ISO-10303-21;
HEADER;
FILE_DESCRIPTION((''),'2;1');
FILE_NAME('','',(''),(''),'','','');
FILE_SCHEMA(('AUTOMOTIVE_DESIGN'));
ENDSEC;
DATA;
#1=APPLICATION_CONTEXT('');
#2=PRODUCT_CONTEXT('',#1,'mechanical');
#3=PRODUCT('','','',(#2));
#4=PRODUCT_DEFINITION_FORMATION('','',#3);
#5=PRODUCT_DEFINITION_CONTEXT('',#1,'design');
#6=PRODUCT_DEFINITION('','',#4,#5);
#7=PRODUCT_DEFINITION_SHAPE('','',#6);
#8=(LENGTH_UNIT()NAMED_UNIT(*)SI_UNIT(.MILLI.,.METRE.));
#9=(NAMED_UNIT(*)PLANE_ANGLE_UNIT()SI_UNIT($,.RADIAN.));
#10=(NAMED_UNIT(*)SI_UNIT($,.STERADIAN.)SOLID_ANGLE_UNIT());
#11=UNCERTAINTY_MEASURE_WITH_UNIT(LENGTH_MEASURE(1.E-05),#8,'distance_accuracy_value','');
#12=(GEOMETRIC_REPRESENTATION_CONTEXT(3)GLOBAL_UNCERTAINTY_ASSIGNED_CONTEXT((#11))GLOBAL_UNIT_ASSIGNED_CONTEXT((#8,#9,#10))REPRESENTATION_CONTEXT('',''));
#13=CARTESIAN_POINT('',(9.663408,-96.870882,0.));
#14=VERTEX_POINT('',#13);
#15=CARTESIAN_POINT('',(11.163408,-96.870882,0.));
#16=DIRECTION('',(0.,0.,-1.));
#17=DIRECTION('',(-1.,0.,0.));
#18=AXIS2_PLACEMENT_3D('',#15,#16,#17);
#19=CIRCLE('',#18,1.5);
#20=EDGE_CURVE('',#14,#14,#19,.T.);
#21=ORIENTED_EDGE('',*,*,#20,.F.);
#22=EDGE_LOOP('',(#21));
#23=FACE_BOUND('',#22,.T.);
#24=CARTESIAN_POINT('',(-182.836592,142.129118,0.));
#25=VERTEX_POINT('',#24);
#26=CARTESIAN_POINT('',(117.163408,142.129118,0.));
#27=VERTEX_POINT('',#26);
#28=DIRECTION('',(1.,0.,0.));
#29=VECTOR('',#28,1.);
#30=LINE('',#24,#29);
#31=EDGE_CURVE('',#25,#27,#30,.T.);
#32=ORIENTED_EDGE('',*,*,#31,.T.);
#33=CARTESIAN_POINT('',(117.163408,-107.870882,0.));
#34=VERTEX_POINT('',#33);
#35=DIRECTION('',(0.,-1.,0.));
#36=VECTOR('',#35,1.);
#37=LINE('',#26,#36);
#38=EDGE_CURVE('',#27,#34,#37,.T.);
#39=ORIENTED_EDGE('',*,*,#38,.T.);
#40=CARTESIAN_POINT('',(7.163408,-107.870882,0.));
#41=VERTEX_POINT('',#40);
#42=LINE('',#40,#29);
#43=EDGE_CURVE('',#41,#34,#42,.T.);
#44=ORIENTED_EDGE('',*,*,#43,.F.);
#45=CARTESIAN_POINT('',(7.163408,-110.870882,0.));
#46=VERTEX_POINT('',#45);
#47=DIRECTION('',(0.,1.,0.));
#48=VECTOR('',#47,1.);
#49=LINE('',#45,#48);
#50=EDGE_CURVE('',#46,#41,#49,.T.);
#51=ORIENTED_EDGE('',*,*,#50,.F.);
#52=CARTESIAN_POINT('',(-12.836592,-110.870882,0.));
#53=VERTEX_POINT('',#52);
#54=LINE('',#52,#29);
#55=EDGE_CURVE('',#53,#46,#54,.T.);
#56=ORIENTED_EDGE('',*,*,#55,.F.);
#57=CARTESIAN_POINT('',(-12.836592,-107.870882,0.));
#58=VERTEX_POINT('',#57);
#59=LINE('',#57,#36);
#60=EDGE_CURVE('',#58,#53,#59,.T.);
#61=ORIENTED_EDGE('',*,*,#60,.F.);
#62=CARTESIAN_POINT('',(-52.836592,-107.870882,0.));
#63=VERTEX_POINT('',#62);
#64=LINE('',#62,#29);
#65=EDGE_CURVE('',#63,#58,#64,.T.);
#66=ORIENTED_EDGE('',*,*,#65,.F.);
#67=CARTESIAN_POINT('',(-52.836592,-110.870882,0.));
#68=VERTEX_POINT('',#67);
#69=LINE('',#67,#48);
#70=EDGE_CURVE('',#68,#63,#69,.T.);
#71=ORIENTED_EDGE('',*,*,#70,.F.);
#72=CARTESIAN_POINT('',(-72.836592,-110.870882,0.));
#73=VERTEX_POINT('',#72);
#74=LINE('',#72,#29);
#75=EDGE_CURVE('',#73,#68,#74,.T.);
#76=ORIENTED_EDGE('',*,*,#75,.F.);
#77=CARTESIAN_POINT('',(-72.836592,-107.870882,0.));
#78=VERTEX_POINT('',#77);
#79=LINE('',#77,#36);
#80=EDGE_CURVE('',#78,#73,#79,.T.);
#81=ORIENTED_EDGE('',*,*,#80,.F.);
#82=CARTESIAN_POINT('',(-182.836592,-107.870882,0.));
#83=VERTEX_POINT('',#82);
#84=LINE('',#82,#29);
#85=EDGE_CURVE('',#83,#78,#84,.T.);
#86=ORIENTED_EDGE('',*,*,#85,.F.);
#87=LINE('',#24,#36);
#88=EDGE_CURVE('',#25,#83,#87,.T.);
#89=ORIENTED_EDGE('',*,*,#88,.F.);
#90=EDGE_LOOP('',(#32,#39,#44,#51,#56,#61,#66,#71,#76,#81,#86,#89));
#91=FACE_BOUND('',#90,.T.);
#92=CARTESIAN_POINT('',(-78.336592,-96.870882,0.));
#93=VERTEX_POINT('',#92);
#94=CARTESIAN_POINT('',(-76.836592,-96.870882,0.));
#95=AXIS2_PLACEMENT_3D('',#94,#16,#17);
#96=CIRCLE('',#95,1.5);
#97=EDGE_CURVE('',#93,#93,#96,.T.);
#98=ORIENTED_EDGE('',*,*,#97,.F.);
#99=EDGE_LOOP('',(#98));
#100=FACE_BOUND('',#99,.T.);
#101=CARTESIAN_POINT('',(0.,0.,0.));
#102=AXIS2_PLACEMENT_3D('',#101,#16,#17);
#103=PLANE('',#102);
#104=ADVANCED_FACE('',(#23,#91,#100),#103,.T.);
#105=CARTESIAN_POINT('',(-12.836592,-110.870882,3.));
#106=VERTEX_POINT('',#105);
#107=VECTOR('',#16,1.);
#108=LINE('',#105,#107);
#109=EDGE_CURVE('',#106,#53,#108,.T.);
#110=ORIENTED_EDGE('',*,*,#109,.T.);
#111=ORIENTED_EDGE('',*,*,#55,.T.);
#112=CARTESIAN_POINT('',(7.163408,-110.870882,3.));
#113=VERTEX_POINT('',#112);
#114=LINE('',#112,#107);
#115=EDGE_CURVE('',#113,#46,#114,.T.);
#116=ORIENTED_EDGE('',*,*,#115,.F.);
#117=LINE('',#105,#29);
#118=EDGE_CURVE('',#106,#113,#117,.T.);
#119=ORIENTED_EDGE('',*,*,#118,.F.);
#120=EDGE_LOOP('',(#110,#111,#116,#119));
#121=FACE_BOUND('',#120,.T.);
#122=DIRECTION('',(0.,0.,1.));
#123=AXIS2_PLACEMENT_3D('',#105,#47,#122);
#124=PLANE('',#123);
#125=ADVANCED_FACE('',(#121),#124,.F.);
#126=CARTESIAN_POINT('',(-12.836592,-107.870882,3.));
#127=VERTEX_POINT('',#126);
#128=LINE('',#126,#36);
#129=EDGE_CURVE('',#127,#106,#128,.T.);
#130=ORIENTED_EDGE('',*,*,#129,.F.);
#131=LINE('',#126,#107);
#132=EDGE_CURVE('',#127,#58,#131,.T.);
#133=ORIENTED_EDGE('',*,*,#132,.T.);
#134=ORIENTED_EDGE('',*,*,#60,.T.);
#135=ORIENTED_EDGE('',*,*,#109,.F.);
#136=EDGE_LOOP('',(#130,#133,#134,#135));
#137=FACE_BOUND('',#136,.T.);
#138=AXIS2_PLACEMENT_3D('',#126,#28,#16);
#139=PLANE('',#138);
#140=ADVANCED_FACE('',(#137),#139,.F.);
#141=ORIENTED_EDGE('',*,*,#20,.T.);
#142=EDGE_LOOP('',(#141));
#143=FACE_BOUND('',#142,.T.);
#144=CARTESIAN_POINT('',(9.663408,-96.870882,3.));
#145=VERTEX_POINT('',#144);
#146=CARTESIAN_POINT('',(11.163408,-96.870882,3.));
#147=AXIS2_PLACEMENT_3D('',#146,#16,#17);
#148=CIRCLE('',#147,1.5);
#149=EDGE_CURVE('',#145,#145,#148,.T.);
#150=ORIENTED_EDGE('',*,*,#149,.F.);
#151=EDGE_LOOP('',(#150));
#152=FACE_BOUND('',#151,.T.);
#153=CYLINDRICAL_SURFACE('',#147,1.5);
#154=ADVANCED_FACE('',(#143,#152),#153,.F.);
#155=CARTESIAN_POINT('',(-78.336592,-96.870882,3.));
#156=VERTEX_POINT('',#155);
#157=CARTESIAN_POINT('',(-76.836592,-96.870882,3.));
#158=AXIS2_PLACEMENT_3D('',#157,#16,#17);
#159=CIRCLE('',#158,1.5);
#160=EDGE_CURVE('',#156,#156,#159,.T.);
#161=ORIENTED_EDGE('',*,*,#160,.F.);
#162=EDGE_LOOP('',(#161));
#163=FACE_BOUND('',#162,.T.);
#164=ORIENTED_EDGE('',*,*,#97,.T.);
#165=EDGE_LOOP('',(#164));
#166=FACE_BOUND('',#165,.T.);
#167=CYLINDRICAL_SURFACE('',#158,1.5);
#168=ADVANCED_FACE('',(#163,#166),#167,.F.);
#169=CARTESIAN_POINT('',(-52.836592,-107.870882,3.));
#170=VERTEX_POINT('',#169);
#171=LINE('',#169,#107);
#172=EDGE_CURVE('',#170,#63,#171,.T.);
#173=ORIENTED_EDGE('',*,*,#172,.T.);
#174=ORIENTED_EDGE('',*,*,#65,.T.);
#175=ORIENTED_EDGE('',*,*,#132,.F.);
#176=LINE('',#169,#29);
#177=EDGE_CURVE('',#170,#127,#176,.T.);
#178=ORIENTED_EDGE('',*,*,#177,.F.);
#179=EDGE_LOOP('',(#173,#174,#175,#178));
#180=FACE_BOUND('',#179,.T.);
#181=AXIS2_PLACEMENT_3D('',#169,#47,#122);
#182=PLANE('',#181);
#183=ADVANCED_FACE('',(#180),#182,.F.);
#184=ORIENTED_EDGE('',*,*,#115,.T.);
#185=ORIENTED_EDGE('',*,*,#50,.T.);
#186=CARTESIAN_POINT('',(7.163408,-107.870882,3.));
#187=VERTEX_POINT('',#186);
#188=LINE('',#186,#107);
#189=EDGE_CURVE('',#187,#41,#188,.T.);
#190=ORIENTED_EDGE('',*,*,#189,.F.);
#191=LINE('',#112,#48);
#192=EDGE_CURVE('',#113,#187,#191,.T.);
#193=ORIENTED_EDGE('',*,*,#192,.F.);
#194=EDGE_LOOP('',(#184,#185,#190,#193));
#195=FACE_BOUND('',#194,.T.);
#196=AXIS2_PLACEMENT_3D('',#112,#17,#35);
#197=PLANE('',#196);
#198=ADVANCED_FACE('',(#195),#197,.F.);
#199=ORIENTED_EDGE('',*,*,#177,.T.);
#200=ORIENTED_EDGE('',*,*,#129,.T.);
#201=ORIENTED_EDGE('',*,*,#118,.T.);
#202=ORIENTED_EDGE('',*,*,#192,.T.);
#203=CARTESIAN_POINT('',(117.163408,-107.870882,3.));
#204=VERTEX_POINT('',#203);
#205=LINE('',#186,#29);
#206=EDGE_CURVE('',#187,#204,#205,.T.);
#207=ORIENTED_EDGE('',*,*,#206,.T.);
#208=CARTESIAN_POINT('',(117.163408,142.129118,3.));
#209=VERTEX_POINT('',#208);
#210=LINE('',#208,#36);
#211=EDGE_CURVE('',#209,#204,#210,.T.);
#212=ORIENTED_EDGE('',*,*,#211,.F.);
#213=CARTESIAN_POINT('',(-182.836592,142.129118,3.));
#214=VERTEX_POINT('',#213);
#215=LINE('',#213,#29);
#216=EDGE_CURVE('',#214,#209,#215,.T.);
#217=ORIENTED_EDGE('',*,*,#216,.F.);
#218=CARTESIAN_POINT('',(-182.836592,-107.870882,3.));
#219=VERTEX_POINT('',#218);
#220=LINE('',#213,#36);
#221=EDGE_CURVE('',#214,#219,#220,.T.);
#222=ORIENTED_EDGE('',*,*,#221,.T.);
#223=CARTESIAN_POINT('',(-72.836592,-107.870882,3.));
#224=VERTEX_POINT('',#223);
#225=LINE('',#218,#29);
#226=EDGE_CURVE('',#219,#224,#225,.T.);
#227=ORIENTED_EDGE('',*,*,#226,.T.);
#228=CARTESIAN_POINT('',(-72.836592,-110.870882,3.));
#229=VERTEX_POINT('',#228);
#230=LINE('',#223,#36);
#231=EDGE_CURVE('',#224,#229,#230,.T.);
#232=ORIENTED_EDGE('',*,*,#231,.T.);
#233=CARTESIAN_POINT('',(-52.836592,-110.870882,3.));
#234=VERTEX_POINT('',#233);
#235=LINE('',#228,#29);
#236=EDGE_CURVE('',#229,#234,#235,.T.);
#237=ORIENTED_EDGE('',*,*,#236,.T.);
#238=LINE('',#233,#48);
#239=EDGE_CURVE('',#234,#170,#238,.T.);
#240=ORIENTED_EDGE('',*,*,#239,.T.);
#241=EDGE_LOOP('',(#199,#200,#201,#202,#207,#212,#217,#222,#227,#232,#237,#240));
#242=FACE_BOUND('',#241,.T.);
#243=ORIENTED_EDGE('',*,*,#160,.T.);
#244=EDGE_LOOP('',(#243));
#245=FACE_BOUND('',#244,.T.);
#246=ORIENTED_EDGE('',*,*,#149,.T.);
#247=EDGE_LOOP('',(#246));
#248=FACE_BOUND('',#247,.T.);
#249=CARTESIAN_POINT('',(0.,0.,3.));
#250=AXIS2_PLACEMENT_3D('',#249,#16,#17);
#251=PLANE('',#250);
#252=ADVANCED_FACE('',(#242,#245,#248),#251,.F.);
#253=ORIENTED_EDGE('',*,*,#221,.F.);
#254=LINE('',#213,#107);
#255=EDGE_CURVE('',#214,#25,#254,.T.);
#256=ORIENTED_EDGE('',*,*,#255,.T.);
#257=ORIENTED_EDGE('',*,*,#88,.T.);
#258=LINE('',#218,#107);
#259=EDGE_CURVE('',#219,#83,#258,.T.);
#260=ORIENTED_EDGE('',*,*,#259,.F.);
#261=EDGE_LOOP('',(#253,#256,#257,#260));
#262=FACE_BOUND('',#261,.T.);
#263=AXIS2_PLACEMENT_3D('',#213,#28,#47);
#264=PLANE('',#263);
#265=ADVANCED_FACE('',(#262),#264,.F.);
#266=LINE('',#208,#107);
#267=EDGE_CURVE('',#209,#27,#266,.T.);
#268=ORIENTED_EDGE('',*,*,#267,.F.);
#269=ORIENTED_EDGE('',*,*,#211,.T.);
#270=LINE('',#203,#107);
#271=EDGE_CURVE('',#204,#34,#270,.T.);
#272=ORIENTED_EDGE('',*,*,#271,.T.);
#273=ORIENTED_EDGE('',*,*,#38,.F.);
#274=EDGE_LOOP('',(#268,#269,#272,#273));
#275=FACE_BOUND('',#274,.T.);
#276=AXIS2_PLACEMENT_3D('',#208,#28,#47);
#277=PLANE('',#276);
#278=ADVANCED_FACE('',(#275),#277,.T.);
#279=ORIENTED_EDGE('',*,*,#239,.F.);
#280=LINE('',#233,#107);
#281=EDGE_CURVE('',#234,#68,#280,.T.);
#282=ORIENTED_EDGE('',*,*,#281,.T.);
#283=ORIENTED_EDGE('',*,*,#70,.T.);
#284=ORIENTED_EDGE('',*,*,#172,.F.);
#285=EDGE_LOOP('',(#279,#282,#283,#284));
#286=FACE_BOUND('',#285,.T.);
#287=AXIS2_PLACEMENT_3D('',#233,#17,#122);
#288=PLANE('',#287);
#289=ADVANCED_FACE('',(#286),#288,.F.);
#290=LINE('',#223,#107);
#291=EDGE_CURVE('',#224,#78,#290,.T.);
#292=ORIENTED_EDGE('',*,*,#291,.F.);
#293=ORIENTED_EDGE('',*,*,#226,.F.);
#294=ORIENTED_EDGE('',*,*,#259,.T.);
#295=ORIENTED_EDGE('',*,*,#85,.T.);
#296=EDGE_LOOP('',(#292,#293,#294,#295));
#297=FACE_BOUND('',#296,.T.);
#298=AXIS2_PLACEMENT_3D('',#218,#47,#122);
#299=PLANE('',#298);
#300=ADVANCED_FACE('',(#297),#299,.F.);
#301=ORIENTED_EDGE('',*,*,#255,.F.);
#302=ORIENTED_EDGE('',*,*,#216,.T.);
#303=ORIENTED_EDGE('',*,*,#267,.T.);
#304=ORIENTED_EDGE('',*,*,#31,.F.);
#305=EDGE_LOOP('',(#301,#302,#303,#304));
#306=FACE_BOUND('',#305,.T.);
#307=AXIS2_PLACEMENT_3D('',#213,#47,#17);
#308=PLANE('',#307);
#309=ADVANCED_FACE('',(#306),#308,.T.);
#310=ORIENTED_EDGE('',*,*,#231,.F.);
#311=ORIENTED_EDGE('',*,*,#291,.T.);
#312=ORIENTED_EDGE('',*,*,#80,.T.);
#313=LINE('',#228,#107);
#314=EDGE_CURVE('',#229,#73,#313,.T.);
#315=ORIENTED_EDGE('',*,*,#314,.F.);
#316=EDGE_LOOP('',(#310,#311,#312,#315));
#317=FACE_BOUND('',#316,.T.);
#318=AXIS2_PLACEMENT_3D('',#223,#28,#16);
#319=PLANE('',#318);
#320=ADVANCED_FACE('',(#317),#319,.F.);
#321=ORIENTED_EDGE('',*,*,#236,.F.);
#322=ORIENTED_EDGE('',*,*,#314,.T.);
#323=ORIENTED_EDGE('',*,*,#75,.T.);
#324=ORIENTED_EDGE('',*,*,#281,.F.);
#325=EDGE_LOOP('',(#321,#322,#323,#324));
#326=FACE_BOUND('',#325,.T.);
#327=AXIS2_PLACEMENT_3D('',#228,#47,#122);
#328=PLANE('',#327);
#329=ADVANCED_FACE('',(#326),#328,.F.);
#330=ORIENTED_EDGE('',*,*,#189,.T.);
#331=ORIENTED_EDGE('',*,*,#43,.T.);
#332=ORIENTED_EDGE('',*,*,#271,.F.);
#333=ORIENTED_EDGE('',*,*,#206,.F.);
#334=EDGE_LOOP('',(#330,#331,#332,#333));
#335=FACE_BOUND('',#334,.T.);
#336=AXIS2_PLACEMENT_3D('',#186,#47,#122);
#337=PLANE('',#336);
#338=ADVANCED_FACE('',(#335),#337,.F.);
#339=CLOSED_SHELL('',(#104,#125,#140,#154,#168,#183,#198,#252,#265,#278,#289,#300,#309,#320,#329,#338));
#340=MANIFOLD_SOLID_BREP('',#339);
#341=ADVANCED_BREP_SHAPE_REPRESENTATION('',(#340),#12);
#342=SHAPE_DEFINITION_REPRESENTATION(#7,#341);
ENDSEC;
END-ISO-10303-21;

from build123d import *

# Parameters (mm, degrees)
RESSALTO_EXTRUS_O1_DEPTH = 3
ESBO_O3_R                = 1.5
CORTE_EXTRUS_O2_DEPTH    = 232.600745995


with BuildPart() as part:
    # Esboço1 → Ressalto-extrusão1 (new body)
    with BuildSketch(Plane.XY):
        Polygon((-182.836591611, -107.870881543), (-72.836591611, -107.870881543), (-72.836591611, -110.870881543), (-52.836591611, -110.870881543), (-52.836591611, -107.870881543), (-12.836591611, -107.870881543), (-12.836591611, -110.870881543), (7.163408389, -110.870881543), (7.163408389, -107.870881543), (117.163408389, -107.870881543), (117.163408389, 142.129118457), (-182.836591611, 142.129118457), align=None)
    extrude(amount=RESSALTO_EXTRUS_O1_DEPTH)

    # Esboço3 → Corte-extrusão2 (cut, through all)
    with BuildSketch(Plane(origin=(0, 0, 0), x_dir=(-1, 0, 0), z_dir=(0, 0, -1))):
        with Locations((-11.163408389, -96.870881543)):
            Circle(ESBO_O3_R)
        with Locations((76.836591611, -96.870881543)):
            Circle(ESBO_O3_R)
    extrude(amount=-CORTE_EXTRUS_O2_DEPTH, mode=Mode.SUBTRACT)


solid = part.part
